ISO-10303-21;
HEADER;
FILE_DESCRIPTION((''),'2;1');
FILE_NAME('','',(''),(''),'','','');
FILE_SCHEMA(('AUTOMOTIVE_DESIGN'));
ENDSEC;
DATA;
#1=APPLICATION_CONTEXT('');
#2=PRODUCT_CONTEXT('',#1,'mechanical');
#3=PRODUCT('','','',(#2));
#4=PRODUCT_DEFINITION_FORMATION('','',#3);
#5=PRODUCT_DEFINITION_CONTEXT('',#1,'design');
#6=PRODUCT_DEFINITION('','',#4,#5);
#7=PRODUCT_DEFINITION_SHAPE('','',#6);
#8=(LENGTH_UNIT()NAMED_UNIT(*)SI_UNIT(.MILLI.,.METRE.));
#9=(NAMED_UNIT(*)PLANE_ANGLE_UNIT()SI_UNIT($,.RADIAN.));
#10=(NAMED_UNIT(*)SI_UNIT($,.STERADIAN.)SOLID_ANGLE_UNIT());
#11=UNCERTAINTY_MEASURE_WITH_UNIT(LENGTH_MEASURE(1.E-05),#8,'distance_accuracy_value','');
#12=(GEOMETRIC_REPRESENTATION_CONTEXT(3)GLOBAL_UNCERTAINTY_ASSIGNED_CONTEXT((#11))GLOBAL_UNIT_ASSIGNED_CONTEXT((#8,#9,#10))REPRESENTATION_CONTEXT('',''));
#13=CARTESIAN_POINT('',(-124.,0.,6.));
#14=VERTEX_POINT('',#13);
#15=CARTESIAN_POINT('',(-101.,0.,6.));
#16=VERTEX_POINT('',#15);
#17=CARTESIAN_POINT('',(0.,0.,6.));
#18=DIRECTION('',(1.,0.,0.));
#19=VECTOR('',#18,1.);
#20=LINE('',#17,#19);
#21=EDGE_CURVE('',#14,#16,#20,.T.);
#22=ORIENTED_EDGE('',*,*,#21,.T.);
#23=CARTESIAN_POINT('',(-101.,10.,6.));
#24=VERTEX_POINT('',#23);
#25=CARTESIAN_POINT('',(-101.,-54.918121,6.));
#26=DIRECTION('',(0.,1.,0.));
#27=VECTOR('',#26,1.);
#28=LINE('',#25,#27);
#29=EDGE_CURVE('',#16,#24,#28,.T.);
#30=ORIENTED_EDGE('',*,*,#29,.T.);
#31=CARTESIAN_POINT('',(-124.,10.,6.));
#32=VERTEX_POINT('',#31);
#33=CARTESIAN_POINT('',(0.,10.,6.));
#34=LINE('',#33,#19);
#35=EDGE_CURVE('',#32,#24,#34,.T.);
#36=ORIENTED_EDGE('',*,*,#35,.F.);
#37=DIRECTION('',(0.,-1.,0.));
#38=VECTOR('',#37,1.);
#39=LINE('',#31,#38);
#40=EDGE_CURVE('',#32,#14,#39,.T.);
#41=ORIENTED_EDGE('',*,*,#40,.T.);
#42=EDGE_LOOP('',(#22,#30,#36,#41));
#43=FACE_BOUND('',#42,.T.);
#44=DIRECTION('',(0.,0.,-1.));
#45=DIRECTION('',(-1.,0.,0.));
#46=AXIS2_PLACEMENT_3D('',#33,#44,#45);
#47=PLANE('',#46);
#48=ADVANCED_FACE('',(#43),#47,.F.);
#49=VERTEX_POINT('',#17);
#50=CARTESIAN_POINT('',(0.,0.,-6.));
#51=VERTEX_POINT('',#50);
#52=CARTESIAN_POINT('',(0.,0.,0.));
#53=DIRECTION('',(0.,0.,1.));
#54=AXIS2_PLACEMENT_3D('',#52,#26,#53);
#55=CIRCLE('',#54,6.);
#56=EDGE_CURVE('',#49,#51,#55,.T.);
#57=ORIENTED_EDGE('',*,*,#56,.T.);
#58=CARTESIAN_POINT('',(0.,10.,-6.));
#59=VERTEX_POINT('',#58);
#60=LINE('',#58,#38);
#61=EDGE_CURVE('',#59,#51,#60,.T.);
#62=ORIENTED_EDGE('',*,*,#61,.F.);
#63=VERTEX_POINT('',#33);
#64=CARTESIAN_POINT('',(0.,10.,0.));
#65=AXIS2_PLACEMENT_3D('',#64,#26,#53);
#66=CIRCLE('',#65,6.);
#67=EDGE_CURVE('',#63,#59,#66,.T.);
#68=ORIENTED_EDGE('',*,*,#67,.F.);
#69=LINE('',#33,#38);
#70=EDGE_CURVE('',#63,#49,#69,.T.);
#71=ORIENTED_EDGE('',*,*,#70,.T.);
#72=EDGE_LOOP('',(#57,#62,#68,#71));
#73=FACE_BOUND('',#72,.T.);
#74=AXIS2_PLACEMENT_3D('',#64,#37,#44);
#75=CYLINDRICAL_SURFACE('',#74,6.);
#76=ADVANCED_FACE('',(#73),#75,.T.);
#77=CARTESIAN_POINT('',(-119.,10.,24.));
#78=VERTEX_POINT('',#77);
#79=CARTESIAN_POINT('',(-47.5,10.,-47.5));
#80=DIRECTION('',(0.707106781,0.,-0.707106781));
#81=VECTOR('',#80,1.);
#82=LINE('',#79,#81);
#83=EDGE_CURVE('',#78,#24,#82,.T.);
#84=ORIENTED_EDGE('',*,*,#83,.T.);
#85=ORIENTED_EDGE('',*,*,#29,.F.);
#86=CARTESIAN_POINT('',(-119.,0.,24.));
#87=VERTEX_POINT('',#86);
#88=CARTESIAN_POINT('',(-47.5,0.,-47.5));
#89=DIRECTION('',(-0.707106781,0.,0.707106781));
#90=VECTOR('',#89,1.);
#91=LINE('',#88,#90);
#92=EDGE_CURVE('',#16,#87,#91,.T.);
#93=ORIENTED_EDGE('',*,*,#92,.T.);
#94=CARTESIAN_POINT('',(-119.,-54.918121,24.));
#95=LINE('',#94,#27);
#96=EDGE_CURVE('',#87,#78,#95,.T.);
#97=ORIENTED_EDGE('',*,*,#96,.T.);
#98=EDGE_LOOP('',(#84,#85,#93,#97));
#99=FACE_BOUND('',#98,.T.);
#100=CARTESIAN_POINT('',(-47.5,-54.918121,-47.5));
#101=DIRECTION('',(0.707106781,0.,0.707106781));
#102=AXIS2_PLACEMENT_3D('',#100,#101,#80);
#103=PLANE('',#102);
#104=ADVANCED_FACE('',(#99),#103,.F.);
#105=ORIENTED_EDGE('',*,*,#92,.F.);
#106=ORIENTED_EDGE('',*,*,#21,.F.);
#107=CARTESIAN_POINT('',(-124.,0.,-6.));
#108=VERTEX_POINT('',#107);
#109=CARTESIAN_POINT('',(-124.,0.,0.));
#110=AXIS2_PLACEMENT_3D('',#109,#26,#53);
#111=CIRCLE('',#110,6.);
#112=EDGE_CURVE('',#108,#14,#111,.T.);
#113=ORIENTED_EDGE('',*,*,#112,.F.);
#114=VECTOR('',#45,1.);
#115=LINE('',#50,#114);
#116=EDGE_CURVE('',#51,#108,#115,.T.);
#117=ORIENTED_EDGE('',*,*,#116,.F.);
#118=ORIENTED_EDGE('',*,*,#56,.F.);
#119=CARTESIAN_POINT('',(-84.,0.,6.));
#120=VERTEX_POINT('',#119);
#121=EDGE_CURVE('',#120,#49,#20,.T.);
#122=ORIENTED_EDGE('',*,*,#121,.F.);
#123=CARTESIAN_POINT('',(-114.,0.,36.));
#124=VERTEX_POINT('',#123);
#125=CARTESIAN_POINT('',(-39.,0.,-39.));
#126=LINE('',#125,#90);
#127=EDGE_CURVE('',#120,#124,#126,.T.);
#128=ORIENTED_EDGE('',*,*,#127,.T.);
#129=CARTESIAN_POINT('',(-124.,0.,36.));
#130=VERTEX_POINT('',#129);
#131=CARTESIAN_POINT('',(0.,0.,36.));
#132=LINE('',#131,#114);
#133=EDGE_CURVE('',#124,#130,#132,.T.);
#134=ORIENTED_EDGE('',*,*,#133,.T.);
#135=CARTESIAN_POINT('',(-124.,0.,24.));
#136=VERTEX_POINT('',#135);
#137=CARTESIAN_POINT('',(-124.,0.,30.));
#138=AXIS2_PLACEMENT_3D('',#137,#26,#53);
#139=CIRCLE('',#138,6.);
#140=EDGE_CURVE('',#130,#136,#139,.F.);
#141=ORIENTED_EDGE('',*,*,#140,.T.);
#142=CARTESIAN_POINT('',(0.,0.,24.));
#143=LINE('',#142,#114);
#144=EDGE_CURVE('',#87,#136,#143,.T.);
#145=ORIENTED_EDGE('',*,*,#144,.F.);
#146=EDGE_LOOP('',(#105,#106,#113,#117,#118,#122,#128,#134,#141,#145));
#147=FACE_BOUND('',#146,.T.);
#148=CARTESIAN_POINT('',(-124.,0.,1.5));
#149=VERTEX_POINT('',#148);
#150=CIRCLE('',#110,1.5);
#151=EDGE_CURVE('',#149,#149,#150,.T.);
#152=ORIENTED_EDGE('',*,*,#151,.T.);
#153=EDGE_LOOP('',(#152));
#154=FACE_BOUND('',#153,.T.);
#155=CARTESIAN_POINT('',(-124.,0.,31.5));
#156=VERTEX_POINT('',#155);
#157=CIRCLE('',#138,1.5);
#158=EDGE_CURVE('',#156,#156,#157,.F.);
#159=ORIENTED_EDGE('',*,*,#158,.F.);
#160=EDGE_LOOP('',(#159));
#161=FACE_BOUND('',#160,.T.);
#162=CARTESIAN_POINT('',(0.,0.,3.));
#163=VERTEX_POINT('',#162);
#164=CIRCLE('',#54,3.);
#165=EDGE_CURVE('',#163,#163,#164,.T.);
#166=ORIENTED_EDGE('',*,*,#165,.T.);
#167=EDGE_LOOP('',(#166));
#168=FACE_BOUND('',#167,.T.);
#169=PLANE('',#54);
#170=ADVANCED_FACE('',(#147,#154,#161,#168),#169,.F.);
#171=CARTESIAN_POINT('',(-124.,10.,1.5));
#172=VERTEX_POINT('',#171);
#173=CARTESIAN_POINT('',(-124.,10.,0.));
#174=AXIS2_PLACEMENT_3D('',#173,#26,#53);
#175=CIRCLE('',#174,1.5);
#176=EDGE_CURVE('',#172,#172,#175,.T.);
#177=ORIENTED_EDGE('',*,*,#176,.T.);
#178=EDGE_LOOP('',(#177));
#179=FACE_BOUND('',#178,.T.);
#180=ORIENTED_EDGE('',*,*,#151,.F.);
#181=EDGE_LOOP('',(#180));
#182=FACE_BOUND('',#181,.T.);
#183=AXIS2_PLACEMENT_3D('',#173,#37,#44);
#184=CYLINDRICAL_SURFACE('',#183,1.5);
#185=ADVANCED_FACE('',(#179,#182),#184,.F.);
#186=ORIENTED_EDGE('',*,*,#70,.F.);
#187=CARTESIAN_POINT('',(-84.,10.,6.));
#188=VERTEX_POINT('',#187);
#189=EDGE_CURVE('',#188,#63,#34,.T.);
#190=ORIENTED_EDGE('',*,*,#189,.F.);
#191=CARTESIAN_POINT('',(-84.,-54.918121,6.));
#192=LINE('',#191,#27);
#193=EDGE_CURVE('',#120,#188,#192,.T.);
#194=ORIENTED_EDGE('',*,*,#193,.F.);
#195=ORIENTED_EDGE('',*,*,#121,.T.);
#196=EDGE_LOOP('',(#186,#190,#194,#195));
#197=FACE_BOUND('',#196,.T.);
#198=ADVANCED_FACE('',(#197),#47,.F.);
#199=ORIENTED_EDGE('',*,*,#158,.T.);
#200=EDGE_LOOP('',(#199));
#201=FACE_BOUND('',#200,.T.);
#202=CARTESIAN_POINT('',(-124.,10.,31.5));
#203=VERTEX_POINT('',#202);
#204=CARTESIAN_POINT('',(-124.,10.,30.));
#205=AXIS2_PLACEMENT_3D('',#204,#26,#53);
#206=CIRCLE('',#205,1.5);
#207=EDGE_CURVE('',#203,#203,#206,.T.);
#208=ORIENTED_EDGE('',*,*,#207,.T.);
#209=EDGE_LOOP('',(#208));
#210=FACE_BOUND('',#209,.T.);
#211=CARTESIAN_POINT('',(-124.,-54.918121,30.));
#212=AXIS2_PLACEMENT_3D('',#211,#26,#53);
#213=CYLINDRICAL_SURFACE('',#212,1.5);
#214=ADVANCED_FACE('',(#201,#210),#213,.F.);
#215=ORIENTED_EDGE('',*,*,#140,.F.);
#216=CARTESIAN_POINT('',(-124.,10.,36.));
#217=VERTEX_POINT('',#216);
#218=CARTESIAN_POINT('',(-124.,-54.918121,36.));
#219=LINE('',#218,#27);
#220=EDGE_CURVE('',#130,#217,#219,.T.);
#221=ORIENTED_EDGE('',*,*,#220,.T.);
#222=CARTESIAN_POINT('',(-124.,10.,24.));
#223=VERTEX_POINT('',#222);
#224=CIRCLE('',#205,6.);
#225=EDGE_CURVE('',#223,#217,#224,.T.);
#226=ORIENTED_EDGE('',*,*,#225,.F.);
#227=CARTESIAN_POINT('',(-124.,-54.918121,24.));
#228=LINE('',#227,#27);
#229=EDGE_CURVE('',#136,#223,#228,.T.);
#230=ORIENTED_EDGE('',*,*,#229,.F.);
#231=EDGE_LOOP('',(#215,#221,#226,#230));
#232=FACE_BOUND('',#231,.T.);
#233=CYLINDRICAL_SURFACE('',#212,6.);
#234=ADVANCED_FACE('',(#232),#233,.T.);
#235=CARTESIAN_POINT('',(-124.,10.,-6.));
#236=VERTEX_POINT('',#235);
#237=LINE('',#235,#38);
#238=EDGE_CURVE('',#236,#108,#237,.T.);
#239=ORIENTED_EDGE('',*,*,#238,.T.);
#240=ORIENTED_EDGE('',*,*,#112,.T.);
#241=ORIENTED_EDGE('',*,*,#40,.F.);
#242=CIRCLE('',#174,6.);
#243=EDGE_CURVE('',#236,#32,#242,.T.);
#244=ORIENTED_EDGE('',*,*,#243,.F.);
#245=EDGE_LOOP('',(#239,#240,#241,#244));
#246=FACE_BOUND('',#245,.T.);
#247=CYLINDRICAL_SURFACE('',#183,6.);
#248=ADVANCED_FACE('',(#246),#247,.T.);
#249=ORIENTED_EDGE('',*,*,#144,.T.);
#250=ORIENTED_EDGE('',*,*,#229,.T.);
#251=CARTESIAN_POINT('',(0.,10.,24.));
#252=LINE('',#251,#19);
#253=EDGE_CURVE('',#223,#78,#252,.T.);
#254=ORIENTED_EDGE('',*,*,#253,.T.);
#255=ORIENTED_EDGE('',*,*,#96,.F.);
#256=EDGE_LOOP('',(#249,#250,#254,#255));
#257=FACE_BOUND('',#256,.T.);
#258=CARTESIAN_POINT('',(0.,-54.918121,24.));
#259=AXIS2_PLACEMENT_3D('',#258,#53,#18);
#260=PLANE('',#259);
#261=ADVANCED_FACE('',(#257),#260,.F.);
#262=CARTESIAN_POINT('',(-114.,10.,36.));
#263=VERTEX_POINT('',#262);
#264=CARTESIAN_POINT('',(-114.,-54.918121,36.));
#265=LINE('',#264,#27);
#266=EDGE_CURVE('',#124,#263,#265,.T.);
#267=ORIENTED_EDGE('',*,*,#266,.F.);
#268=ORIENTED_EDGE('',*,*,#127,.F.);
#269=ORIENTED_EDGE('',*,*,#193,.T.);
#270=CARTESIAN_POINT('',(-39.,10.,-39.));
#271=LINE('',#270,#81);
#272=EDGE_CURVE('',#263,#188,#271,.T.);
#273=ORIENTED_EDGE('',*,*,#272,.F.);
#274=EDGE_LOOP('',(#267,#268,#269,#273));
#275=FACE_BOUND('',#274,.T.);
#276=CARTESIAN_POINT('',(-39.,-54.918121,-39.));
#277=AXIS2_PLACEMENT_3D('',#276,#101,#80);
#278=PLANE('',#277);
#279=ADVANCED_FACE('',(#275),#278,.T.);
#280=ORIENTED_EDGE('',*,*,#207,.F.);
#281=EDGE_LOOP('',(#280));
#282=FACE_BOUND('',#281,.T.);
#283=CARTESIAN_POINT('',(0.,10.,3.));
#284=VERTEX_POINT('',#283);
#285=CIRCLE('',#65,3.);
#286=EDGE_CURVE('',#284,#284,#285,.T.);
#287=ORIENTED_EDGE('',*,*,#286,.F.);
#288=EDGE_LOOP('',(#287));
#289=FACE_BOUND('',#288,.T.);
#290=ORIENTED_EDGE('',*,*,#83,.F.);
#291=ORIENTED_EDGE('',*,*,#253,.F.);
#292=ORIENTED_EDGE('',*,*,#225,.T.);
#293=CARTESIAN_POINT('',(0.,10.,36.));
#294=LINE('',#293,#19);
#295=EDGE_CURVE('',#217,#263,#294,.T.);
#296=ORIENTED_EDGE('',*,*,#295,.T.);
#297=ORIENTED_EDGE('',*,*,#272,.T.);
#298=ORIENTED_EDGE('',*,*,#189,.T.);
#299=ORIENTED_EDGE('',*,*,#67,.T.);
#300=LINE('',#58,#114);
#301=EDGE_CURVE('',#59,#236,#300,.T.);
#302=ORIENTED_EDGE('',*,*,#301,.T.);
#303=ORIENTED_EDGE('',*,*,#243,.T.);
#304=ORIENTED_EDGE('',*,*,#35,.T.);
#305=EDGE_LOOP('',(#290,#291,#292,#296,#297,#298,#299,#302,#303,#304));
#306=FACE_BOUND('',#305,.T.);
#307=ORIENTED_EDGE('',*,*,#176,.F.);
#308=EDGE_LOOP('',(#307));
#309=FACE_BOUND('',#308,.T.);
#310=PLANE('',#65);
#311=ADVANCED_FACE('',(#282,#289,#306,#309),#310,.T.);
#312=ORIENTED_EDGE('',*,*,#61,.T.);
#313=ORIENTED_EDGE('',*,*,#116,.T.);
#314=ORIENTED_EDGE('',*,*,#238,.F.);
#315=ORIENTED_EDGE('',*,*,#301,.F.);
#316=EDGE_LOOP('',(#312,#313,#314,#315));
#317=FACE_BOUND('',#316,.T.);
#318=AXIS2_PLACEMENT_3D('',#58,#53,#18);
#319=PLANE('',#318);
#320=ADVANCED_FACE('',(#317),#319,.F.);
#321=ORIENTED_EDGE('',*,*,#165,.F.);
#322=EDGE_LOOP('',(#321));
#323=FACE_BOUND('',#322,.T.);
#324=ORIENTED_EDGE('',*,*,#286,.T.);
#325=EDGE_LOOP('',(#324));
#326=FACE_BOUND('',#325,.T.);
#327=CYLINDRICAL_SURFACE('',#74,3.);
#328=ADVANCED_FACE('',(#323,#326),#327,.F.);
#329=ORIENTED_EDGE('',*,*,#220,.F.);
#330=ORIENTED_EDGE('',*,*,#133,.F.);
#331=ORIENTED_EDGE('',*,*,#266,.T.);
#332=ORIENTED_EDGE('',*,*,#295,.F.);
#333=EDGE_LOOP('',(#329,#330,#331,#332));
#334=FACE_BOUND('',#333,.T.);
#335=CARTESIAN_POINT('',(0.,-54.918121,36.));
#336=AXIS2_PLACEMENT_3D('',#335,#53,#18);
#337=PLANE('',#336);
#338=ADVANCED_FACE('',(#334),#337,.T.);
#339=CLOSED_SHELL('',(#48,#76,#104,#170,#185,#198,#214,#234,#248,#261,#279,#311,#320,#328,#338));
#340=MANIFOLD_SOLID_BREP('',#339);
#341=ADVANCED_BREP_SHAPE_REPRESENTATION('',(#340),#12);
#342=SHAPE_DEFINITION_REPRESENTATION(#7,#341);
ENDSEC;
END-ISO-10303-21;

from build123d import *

# Parameters (mm, degrees)
SKETCH1_R           = 3
SKETCH1_R_2         = 1.5
BOSS_EXTRUDE1_DEPTH = 10
SKETCH2_R           = 1.5
BOSS_EXTRUDE2_DEPTH = 10


with BuildPart() as part:
    # Sketch1 → Boss-Extrude1 (new body)
    with BuildSketch(Plane(origin=(0, 0, 0), x_dir=(1, 0, 0), z_dir=(0, 1, 0))):
        with BuildLine():
            Line((0, -6), (-124, -6))
            ThreePointArc((-124, -6), (-130, 0), (-124, 6))
            Line((-124, 6), (0, 6))
            ThreePointArc((0, 6), (6, 0), (0, -6))
        make_face()
        Circle(SKETCH1_R, mode=Mode.SUBTRACT)
        with Locations((-124, 0)):
            Circle(SKETCH1_R_2, mode=Mode.SUBTRACT)
    extrude(amount=BOSS_EXTRUDE1_DEPTH)

    # Sketch2 → Boss-Extrude2 (add)
    with BuildSketch(Plane(origin=(0, 10, 0), x_dir=(1, 0, 0), z_dir=(0, 1, 0))):
        with BuildLine():
            Line((-119, -24), (-124, -24))
            ThreePointArc((-124, -24), (-130, -30), (-124, -36))
            Line((-124, -36), (-114, -36))
            Line((-114, -36), (-84, -6))
            Line((-84, -6), (-101, -6))
            Line((-101, -6), (-119, -24))
        make_face()
        with Locations((-124, -30)):
            Circle(SKETCH2_R, mode=Mode.SUBTRACT)
    extrude(amount=-BOSS_EXTRUDE2_DEPTH)


solid = part.part
